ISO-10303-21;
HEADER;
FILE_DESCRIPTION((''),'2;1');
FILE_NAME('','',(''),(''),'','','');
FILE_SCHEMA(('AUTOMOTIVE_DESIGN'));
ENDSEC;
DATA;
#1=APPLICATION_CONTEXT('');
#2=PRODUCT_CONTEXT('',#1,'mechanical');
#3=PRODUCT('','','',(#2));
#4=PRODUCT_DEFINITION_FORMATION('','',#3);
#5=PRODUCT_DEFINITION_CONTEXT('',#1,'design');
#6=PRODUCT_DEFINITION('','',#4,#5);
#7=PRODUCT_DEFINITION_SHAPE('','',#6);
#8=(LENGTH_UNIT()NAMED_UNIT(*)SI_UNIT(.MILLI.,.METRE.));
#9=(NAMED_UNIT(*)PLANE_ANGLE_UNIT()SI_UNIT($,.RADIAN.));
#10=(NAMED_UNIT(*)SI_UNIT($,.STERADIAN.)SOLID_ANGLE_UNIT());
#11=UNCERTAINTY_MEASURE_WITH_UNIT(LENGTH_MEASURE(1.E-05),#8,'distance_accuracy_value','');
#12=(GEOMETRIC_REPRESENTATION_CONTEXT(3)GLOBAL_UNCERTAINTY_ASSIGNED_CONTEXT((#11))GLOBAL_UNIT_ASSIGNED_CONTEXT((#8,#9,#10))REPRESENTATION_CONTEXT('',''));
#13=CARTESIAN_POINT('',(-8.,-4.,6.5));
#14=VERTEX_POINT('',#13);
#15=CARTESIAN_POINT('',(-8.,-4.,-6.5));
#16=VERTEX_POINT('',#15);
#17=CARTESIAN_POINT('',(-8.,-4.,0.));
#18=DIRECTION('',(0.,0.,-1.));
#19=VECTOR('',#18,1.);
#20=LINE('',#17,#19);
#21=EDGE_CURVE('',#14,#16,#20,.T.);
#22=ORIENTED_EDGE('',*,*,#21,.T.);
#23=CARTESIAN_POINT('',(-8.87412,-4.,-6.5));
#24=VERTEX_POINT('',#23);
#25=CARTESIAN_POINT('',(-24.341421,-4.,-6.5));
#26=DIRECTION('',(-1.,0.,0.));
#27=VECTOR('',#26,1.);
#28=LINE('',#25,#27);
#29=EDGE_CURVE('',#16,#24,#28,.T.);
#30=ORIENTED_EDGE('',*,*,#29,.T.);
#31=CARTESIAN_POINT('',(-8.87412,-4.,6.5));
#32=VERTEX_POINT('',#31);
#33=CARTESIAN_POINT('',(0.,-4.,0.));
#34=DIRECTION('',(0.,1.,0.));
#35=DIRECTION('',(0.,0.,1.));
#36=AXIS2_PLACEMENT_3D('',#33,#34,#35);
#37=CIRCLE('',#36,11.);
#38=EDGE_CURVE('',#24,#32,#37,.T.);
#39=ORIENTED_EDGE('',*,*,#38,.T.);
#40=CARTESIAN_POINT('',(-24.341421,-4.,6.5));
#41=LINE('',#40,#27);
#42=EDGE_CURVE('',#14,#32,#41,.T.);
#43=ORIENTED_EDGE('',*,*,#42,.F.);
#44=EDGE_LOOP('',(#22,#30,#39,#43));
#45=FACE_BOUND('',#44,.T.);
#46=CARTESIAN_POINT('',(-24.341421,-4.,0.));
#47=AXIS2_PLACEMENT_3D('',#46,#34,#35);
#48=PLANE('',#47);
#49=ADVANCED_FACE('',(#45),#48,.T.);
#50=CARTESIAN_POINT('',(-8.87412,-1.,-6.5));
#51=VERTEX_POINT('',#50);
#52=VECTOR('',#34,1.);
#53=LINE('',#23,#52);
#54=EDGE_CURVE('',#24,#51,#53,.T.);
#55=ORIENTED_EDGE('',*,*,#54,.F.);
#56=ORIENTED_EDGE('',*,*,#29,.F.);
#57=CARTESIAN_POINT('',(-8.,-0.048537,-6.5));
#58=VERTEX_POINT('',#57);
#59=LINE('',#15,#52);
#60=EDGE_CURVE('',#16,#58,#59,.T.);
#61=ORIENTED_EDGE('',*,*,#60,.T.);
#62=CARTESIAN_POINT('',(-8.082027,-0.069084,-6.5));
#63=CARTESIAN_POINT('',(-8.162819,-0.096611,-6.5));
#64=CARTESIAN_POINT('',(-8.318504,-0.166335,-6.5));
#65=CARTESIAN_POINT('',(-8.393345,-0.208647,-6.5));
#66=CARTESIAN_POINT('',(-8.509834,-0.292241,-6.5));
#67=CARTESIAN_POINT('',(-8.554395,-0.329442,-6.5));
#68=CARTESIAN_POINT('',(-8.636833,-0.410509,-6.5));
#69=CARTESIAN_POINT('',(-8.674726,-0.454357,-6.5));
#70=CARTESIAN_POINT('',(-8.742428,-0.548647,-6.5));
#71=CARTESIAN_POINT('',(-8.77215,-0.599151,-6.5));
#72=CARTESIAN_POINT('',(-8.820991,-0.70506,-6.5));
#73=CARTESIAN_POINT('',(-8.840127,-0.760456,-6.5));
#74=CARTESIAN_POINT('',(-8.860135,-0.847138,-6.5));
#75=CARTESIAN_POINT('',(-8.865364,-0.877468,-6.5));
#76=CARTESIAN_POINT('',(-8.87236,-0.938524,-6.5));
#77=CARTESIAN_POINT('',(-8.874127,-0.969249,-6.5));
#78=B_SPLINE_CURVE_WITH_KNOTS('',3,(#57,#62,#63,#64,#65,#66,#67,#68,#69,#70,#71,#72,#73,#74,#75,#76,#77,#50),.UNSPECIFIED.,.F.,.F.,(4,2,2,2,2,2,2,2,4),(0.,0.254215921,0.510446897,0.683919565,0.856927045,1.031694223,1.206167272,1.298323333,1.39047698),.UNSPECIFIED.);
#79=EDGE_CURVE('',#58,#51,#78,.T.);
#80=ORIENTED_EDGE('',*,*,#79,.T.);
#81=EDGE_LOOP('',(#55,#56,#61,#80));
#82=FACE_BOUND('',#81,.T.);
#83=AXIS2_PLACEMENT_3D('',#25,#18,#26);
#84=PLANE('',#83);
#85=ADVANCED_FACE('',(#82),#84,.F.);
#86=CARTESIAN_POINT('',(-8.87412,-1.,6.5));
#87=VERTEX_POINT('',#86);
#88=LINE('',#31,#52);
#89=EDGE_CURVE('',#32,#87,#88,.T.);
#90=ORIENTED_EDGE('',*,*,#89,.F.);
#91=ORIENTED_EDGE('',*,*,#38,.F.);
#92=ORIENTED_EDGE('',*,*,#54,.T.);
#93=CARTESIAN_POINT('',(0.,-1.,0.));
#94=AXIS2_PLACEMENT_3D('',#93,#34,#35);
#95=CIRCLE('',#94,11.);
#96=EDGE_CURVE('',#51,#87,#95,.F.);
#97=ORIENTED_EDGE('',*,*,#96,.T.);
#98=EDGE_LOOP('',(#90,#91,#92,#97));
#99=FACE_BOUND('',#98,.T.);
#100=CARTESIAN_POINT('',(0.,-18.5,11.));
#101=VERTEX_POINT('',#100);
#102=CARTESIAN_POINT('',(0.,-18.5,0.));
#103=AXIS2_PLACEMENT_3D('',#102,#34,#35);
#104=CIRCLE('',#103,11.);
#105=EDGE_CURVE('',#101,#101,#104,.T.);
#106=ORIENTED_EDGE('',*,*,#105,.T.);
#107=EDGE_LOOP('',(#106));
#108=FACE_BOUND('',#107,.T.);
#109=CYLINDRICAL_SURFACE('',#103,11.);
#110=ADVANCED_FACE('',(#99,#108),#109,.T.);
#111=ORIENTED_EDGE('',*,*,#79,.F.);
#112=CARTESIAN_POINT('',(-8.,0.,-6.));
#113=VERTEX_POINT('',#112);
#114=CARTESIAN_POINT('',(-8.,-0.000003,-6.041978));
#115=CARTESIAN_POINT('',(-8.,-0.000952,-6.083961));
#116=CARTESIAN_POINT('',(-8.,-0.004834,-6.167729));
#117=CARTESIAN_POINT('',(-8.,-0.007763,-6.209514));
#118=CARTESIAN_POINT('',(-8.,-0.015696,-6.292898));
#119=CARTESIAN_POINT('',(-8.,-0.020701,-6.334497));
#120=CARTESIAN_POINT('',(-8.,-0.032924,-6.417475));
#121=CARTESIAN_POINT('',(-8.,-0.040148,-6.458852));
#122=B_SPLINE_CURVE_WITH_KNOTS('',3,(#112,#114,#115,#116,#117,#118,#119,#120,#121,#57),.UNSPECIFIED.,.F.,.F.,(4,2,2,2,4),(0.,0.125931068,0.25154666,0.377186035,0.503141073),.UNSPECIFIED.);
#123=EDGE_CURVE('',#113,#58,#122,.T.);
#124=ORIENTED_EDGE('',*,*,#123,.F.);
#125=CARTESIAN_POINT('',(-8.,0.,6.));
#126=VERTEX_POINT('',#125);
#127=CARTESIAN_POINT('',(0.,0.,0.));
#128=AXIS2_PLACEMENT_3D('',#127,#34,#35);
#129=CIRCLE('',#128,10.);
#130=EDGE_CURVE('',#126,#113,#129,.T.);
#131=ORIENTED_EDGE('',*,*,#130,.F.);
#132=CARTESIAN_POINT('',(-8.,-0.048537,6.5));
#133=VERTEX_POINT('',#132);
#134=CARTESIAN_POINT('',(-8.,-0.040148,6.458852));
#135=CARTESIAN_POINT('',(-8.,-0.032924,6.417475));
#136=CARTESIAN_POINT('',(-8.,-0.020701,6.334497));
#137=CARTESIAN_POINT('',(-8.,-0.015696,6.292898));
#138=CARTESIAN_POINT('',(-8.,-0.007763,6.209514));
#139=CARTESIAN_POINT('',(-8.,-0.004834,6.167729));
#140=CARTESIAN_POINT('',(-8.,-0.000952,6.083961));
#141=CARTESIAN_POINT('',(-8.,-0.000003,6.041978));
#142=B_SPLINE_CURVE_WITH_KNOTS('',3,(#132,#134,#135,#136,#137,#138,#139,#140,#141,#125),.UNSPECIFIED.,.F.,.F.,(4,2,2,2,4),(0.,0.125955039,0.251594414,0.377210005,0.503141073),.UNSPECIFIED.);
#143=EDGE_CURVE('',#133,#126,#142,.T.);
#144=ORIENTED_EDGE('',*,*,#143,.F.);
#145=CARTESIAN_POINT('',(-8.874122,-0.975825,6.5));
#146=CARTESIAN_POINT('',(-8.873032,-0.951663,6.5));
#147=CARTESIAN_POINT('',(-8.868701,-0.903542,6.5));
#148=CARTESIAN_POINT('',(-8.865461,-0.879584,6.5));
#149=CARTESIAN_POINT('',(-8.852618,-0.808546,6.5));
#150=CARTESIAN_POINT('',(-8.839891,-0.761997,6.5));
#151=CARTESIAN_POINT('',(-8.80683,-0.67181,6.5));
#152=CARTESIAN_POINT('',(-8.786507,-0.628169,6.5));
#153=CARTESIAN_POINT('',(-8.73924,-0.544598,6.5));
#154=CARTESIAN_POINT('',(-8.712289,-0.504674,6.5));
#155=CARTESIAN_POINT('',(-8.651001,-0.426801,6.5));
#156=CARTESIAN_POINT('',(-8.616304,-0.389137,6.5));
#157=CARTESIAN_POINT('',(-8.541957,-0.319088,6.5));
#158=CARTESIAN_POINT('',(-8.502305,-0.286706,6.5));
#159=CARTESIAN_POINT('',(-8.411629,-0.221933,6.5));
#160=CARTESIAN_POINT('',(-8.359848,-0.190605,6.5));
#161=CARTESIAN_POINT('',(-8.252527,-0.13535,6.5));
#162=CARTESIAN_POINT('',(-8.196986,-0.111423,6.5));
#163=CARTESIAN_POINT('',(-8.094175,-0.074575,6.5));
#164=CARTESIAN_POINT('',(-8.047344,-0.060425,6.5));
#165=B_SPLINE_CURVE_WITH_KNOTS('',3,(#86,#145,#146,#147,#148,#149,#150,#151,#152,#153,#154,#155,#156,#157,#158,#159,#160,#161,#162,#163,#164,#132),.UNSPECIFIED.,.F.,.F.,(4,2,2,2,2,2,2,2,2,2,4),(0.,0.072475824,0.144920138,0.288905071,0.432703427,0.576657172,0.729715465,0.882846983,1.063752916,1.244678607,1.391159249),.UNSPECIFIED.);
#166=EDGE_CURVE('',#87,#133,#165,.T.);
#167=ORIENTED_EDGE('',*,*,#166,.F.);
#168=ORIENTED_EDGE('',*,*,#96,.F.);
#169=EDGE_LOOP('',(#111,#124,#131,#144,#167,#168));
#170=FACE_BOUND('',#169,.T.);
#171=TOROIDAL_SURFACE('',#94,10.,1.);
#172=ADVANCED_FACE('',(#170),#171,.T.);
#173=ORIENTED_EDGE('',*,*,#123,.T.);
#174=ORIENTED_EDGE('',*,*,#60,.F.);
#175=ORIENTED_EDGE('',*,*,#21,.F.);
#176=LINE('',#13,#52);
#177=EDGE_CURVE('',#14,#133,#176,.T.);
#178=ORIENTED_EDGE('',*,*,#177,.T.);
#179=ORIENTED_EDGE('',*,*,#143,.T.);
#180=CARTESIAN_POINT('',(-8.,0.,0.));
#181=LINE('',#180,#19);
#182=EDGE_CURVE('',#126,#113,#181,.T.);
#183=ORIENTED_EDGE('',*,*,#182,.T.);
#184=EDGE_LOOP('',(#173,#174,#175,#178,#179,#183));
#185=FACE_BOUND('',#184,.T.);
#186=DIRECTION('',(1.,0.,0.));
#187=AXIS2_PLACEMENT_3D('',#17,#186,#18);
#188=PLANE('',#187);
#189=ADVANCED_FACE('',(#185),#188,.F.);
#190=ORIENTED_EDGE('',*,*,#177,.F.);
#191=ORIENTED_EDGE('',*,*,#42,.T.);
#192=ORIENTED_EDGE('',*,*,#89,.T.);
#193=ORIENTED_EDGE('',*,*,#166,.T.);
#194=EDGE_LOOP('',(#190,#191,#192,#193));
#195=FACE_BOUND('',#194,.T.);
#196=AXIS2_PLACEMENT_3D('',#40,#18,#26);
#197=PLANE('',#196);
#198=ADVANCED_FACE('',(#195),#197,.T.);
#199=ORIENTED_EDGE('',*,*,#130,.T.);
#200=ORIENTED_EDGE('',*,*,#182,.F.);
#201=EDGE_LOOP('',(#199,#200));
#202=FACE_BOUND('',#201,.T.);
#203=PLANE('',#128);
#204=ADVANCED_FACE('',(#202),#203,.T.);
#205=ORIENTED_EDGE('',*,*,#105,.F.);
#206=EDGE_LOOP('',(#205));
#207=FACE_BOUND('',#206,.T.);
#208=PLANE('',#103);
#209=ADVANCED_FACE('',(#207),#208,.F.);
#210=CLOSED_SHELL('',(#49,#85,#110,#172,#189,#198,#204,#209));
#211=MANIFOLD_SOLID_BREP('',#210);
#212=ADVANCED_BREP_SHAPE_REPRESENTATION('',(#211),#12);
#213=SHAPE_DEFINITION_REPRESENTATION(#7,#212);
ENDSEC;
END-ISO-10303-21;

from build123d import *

# Parameters (mm, degrees)
SKETCH1_R           = 11
BOSS_EXTRUDE1_DEPTH = 18.5
CUT_EXTRUDE1_DEPTH  = 4
FILLET1_R           = 1


with BuildPart() as part:
    # Sketch1 → Boss-Extrude1 (new body)
    with BuildSketch(Plane(origin=(0, 0, 0), x_dir=(1, 0, 0), z_dir=(0, 1, 0))):
        with Locations(Location((0, 0, 0), (0, 0, 270))):
            Circle(SKETCH1_R)
    extrude(amount=-BOSS_EXTRUDE1_DEPTH)

    # Sketch4 → Cut-Extrude1 (cut)
    with BuildSketch(Plane(origin=(0, 0, 0), x_dir=(1, 0, 0), z_dir=(0, 1, 0))):
        with BuildLine():
            Line((-8, -6.5), (-8, 0))
            Line((-8, 0), (-8, 6.5))
            Line((-8, 6.5), (-8.874119675, 6.5))
            ThreePointArc((-8.874119675, 6.5), (-11, 0), (-8.874119675, -6.5))
            Line((-8.874119675, -6.5), (-8, -6.5))
        make_face()
    extrude(amount=-CUT_EXTRUDE1_DEPTH, mode=Mode.SUBTRACT)

    # Fillet1
    fillet1_edges = [part.edges().sort_by_distance(p)[0] for p in [
        (9.810708435, 0, -4.974937186),
    ]]
    fillet(fillet1_edges, radius=FILLET1_R)


solid = part.part
